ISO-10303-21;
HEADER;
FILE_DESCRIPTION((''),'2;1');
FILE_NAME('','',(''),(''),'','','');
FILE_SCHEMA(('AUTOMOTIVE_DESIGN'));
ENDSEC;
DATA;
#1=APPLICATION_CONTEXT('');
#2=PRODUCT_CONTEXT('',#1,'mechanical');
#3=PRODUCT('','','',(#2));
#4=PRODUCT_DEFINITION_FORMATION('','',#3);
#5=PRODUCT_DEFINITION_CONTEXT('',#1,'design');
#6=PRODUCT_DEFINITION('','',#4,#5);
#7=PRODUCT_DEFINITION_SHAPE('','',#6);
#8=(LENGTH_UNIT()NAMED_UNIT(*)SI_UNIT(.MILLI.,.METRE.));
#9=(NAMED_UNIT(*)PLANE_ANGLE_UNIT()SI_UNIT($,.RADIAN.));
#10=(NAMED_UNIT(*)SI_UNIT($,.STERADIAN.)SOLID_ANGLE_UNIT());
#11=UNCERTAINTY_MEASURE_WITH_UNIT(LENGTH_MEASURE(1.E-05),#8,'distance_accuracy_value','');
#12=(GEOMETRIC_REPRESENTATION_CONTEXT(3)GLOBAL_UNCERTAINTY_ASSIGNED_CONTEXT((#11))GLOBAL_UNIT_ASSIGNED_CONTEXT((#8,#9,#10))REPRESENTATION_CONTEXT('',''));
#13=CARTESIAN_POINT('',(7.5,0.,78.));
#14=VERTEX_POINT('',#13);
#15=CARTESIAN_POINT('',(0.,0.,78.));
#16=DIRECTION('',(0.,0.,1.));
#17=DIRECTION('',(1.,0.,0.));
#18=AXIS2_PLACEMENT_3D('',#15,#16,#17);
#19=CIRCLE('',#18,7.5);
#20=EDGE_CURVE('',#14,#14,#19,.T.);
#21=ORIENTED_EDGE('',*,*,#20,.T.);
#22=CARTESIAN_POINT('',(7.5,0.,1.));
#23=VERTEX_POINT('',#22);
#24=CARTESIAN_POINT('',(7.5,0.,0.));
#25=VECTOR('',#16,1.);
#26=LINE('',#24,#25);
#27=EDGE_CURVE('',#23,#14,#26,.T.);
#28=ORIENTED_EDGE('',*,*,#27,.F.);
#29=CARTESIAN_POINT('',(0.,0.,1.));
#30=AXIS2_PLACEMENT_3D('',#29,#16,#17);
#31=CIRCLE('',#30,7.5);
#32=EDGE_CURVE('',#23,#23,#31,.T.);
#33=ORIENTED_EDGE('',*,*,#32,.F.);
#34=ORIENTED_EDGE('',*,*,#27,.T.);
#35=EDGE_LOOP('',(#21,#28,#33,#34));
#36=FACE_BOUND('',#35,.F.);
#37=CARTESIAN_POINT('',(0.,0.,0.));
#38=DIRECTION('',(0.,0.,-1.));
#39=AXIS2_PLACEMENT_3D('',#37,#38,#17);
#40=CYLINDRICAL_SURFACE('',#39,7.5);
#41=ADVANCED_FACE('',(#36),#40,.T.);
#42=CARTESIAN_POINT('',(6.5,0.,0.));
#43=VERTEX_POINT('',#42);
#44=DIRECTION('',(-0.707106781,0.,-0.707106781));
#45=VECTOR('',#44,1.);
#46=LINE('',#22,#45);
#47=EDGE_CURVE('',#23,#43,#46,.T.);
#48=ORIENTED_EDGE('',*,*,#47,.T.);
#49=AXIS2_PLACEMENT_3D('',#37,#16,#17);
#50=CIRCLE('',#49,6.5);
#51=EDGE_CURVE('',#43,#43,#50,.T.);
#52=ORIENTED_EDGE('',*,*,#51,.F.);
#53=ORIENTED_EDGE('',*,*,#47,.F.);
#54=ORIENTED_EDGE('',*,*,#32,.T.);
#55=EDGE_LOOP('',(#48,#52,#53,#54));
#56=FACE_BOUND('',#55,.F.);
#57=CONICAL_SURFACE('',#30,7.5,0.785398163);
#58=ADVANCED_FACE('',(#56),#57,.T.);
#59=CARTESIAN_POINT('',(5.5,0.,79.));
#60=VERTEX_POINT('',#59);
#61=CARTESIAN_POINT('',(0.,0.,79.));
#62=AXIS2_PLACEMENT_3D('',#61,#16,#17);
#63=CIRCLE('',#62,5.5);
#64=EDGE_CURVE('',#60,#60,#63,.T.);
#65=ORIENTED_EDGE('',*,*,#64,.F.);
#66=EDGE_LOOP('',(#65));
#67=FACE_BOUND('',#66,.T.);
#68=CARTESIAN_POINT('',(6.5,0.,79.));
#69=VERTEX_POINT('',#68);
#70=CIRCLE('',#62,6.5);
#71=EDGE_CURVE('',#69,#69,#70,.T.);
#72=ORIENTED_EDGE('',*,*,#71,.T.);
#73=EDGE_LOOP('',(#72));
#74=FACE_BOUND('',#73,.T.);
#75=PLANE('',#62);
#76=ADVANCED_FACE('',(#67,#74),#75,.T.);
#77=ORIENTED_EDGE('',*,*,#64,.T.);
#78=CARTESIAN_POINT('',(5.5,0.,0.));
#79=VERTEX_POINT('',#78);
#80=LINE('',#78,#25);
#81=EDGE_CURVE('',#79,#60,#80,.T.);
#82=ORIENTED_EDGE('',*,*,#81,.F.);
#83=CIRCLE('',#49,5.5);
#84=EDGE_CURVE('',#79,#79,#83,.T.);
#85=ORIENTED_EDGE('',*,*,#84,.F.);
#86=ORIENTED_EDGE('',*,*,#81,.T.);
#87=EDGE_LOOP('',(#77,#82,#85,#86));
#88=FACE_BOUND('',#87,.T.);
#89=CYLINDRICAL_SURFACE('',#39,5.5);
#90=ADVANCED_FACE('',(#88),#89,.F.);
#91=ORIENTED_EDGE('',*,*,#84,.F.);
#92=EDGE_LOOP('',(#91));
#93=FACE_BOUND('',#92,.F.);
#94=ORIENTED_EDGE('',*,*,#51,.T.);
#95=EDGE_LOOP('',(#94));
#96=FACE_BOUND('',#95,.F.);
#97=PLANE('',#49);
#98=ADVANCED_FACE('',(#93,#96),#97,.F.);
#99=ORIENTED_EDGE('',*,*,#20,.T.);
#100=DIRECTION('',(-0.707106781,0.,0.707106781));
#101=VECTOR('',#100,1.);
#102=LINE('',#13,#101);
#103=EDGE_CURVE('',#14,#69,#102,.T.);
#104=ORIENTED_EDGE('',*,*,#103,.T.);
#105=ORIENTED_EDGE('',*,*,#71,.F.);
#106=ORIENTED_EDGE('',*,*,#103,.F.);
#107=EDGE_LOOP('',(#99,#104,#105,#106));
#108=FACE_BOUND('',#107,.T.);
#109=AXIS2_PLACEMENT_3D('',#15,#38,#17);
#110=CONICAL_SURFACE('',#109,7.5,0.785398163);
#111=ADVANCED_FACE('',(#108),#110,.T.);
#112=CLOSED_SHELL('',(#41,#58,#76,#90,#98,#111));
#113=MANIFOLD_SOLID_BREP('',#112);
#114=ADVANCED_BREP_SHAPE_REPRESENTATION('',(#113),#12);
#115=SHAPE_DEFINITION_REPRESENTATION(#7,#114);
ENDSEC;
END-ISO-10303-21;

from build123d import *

# Parameters (mm, degrees)
F0_R     = 7.5
F1_DEPTH = 79
F2_T     = -2
F3_SIZE  = 1


with BuildPart() as f1:
    # F0 (on Top) → F1 (new body)
    with BuildSketch(Plane.XY):
        Circle(F0_R)
    extrude(amount=F1_DEPTH)

    # F2
    f2_openings = [f1.faces().sort_by_distance(p)[0] for p in [
        (0, 0, 79),
        (0, 0, 0),
    ]]
    offset(amount=F2_T, openings=f2_openings)

    # F3
    f3_edges = [f1.edges().sort_by_distance(p)[0] for p in [
        (-7.5, 0, 0),
        (-7.5, 0, 79),
    ]]
    chamfer(f3_edges, length=F3_SIZE)


solid = f1.part
